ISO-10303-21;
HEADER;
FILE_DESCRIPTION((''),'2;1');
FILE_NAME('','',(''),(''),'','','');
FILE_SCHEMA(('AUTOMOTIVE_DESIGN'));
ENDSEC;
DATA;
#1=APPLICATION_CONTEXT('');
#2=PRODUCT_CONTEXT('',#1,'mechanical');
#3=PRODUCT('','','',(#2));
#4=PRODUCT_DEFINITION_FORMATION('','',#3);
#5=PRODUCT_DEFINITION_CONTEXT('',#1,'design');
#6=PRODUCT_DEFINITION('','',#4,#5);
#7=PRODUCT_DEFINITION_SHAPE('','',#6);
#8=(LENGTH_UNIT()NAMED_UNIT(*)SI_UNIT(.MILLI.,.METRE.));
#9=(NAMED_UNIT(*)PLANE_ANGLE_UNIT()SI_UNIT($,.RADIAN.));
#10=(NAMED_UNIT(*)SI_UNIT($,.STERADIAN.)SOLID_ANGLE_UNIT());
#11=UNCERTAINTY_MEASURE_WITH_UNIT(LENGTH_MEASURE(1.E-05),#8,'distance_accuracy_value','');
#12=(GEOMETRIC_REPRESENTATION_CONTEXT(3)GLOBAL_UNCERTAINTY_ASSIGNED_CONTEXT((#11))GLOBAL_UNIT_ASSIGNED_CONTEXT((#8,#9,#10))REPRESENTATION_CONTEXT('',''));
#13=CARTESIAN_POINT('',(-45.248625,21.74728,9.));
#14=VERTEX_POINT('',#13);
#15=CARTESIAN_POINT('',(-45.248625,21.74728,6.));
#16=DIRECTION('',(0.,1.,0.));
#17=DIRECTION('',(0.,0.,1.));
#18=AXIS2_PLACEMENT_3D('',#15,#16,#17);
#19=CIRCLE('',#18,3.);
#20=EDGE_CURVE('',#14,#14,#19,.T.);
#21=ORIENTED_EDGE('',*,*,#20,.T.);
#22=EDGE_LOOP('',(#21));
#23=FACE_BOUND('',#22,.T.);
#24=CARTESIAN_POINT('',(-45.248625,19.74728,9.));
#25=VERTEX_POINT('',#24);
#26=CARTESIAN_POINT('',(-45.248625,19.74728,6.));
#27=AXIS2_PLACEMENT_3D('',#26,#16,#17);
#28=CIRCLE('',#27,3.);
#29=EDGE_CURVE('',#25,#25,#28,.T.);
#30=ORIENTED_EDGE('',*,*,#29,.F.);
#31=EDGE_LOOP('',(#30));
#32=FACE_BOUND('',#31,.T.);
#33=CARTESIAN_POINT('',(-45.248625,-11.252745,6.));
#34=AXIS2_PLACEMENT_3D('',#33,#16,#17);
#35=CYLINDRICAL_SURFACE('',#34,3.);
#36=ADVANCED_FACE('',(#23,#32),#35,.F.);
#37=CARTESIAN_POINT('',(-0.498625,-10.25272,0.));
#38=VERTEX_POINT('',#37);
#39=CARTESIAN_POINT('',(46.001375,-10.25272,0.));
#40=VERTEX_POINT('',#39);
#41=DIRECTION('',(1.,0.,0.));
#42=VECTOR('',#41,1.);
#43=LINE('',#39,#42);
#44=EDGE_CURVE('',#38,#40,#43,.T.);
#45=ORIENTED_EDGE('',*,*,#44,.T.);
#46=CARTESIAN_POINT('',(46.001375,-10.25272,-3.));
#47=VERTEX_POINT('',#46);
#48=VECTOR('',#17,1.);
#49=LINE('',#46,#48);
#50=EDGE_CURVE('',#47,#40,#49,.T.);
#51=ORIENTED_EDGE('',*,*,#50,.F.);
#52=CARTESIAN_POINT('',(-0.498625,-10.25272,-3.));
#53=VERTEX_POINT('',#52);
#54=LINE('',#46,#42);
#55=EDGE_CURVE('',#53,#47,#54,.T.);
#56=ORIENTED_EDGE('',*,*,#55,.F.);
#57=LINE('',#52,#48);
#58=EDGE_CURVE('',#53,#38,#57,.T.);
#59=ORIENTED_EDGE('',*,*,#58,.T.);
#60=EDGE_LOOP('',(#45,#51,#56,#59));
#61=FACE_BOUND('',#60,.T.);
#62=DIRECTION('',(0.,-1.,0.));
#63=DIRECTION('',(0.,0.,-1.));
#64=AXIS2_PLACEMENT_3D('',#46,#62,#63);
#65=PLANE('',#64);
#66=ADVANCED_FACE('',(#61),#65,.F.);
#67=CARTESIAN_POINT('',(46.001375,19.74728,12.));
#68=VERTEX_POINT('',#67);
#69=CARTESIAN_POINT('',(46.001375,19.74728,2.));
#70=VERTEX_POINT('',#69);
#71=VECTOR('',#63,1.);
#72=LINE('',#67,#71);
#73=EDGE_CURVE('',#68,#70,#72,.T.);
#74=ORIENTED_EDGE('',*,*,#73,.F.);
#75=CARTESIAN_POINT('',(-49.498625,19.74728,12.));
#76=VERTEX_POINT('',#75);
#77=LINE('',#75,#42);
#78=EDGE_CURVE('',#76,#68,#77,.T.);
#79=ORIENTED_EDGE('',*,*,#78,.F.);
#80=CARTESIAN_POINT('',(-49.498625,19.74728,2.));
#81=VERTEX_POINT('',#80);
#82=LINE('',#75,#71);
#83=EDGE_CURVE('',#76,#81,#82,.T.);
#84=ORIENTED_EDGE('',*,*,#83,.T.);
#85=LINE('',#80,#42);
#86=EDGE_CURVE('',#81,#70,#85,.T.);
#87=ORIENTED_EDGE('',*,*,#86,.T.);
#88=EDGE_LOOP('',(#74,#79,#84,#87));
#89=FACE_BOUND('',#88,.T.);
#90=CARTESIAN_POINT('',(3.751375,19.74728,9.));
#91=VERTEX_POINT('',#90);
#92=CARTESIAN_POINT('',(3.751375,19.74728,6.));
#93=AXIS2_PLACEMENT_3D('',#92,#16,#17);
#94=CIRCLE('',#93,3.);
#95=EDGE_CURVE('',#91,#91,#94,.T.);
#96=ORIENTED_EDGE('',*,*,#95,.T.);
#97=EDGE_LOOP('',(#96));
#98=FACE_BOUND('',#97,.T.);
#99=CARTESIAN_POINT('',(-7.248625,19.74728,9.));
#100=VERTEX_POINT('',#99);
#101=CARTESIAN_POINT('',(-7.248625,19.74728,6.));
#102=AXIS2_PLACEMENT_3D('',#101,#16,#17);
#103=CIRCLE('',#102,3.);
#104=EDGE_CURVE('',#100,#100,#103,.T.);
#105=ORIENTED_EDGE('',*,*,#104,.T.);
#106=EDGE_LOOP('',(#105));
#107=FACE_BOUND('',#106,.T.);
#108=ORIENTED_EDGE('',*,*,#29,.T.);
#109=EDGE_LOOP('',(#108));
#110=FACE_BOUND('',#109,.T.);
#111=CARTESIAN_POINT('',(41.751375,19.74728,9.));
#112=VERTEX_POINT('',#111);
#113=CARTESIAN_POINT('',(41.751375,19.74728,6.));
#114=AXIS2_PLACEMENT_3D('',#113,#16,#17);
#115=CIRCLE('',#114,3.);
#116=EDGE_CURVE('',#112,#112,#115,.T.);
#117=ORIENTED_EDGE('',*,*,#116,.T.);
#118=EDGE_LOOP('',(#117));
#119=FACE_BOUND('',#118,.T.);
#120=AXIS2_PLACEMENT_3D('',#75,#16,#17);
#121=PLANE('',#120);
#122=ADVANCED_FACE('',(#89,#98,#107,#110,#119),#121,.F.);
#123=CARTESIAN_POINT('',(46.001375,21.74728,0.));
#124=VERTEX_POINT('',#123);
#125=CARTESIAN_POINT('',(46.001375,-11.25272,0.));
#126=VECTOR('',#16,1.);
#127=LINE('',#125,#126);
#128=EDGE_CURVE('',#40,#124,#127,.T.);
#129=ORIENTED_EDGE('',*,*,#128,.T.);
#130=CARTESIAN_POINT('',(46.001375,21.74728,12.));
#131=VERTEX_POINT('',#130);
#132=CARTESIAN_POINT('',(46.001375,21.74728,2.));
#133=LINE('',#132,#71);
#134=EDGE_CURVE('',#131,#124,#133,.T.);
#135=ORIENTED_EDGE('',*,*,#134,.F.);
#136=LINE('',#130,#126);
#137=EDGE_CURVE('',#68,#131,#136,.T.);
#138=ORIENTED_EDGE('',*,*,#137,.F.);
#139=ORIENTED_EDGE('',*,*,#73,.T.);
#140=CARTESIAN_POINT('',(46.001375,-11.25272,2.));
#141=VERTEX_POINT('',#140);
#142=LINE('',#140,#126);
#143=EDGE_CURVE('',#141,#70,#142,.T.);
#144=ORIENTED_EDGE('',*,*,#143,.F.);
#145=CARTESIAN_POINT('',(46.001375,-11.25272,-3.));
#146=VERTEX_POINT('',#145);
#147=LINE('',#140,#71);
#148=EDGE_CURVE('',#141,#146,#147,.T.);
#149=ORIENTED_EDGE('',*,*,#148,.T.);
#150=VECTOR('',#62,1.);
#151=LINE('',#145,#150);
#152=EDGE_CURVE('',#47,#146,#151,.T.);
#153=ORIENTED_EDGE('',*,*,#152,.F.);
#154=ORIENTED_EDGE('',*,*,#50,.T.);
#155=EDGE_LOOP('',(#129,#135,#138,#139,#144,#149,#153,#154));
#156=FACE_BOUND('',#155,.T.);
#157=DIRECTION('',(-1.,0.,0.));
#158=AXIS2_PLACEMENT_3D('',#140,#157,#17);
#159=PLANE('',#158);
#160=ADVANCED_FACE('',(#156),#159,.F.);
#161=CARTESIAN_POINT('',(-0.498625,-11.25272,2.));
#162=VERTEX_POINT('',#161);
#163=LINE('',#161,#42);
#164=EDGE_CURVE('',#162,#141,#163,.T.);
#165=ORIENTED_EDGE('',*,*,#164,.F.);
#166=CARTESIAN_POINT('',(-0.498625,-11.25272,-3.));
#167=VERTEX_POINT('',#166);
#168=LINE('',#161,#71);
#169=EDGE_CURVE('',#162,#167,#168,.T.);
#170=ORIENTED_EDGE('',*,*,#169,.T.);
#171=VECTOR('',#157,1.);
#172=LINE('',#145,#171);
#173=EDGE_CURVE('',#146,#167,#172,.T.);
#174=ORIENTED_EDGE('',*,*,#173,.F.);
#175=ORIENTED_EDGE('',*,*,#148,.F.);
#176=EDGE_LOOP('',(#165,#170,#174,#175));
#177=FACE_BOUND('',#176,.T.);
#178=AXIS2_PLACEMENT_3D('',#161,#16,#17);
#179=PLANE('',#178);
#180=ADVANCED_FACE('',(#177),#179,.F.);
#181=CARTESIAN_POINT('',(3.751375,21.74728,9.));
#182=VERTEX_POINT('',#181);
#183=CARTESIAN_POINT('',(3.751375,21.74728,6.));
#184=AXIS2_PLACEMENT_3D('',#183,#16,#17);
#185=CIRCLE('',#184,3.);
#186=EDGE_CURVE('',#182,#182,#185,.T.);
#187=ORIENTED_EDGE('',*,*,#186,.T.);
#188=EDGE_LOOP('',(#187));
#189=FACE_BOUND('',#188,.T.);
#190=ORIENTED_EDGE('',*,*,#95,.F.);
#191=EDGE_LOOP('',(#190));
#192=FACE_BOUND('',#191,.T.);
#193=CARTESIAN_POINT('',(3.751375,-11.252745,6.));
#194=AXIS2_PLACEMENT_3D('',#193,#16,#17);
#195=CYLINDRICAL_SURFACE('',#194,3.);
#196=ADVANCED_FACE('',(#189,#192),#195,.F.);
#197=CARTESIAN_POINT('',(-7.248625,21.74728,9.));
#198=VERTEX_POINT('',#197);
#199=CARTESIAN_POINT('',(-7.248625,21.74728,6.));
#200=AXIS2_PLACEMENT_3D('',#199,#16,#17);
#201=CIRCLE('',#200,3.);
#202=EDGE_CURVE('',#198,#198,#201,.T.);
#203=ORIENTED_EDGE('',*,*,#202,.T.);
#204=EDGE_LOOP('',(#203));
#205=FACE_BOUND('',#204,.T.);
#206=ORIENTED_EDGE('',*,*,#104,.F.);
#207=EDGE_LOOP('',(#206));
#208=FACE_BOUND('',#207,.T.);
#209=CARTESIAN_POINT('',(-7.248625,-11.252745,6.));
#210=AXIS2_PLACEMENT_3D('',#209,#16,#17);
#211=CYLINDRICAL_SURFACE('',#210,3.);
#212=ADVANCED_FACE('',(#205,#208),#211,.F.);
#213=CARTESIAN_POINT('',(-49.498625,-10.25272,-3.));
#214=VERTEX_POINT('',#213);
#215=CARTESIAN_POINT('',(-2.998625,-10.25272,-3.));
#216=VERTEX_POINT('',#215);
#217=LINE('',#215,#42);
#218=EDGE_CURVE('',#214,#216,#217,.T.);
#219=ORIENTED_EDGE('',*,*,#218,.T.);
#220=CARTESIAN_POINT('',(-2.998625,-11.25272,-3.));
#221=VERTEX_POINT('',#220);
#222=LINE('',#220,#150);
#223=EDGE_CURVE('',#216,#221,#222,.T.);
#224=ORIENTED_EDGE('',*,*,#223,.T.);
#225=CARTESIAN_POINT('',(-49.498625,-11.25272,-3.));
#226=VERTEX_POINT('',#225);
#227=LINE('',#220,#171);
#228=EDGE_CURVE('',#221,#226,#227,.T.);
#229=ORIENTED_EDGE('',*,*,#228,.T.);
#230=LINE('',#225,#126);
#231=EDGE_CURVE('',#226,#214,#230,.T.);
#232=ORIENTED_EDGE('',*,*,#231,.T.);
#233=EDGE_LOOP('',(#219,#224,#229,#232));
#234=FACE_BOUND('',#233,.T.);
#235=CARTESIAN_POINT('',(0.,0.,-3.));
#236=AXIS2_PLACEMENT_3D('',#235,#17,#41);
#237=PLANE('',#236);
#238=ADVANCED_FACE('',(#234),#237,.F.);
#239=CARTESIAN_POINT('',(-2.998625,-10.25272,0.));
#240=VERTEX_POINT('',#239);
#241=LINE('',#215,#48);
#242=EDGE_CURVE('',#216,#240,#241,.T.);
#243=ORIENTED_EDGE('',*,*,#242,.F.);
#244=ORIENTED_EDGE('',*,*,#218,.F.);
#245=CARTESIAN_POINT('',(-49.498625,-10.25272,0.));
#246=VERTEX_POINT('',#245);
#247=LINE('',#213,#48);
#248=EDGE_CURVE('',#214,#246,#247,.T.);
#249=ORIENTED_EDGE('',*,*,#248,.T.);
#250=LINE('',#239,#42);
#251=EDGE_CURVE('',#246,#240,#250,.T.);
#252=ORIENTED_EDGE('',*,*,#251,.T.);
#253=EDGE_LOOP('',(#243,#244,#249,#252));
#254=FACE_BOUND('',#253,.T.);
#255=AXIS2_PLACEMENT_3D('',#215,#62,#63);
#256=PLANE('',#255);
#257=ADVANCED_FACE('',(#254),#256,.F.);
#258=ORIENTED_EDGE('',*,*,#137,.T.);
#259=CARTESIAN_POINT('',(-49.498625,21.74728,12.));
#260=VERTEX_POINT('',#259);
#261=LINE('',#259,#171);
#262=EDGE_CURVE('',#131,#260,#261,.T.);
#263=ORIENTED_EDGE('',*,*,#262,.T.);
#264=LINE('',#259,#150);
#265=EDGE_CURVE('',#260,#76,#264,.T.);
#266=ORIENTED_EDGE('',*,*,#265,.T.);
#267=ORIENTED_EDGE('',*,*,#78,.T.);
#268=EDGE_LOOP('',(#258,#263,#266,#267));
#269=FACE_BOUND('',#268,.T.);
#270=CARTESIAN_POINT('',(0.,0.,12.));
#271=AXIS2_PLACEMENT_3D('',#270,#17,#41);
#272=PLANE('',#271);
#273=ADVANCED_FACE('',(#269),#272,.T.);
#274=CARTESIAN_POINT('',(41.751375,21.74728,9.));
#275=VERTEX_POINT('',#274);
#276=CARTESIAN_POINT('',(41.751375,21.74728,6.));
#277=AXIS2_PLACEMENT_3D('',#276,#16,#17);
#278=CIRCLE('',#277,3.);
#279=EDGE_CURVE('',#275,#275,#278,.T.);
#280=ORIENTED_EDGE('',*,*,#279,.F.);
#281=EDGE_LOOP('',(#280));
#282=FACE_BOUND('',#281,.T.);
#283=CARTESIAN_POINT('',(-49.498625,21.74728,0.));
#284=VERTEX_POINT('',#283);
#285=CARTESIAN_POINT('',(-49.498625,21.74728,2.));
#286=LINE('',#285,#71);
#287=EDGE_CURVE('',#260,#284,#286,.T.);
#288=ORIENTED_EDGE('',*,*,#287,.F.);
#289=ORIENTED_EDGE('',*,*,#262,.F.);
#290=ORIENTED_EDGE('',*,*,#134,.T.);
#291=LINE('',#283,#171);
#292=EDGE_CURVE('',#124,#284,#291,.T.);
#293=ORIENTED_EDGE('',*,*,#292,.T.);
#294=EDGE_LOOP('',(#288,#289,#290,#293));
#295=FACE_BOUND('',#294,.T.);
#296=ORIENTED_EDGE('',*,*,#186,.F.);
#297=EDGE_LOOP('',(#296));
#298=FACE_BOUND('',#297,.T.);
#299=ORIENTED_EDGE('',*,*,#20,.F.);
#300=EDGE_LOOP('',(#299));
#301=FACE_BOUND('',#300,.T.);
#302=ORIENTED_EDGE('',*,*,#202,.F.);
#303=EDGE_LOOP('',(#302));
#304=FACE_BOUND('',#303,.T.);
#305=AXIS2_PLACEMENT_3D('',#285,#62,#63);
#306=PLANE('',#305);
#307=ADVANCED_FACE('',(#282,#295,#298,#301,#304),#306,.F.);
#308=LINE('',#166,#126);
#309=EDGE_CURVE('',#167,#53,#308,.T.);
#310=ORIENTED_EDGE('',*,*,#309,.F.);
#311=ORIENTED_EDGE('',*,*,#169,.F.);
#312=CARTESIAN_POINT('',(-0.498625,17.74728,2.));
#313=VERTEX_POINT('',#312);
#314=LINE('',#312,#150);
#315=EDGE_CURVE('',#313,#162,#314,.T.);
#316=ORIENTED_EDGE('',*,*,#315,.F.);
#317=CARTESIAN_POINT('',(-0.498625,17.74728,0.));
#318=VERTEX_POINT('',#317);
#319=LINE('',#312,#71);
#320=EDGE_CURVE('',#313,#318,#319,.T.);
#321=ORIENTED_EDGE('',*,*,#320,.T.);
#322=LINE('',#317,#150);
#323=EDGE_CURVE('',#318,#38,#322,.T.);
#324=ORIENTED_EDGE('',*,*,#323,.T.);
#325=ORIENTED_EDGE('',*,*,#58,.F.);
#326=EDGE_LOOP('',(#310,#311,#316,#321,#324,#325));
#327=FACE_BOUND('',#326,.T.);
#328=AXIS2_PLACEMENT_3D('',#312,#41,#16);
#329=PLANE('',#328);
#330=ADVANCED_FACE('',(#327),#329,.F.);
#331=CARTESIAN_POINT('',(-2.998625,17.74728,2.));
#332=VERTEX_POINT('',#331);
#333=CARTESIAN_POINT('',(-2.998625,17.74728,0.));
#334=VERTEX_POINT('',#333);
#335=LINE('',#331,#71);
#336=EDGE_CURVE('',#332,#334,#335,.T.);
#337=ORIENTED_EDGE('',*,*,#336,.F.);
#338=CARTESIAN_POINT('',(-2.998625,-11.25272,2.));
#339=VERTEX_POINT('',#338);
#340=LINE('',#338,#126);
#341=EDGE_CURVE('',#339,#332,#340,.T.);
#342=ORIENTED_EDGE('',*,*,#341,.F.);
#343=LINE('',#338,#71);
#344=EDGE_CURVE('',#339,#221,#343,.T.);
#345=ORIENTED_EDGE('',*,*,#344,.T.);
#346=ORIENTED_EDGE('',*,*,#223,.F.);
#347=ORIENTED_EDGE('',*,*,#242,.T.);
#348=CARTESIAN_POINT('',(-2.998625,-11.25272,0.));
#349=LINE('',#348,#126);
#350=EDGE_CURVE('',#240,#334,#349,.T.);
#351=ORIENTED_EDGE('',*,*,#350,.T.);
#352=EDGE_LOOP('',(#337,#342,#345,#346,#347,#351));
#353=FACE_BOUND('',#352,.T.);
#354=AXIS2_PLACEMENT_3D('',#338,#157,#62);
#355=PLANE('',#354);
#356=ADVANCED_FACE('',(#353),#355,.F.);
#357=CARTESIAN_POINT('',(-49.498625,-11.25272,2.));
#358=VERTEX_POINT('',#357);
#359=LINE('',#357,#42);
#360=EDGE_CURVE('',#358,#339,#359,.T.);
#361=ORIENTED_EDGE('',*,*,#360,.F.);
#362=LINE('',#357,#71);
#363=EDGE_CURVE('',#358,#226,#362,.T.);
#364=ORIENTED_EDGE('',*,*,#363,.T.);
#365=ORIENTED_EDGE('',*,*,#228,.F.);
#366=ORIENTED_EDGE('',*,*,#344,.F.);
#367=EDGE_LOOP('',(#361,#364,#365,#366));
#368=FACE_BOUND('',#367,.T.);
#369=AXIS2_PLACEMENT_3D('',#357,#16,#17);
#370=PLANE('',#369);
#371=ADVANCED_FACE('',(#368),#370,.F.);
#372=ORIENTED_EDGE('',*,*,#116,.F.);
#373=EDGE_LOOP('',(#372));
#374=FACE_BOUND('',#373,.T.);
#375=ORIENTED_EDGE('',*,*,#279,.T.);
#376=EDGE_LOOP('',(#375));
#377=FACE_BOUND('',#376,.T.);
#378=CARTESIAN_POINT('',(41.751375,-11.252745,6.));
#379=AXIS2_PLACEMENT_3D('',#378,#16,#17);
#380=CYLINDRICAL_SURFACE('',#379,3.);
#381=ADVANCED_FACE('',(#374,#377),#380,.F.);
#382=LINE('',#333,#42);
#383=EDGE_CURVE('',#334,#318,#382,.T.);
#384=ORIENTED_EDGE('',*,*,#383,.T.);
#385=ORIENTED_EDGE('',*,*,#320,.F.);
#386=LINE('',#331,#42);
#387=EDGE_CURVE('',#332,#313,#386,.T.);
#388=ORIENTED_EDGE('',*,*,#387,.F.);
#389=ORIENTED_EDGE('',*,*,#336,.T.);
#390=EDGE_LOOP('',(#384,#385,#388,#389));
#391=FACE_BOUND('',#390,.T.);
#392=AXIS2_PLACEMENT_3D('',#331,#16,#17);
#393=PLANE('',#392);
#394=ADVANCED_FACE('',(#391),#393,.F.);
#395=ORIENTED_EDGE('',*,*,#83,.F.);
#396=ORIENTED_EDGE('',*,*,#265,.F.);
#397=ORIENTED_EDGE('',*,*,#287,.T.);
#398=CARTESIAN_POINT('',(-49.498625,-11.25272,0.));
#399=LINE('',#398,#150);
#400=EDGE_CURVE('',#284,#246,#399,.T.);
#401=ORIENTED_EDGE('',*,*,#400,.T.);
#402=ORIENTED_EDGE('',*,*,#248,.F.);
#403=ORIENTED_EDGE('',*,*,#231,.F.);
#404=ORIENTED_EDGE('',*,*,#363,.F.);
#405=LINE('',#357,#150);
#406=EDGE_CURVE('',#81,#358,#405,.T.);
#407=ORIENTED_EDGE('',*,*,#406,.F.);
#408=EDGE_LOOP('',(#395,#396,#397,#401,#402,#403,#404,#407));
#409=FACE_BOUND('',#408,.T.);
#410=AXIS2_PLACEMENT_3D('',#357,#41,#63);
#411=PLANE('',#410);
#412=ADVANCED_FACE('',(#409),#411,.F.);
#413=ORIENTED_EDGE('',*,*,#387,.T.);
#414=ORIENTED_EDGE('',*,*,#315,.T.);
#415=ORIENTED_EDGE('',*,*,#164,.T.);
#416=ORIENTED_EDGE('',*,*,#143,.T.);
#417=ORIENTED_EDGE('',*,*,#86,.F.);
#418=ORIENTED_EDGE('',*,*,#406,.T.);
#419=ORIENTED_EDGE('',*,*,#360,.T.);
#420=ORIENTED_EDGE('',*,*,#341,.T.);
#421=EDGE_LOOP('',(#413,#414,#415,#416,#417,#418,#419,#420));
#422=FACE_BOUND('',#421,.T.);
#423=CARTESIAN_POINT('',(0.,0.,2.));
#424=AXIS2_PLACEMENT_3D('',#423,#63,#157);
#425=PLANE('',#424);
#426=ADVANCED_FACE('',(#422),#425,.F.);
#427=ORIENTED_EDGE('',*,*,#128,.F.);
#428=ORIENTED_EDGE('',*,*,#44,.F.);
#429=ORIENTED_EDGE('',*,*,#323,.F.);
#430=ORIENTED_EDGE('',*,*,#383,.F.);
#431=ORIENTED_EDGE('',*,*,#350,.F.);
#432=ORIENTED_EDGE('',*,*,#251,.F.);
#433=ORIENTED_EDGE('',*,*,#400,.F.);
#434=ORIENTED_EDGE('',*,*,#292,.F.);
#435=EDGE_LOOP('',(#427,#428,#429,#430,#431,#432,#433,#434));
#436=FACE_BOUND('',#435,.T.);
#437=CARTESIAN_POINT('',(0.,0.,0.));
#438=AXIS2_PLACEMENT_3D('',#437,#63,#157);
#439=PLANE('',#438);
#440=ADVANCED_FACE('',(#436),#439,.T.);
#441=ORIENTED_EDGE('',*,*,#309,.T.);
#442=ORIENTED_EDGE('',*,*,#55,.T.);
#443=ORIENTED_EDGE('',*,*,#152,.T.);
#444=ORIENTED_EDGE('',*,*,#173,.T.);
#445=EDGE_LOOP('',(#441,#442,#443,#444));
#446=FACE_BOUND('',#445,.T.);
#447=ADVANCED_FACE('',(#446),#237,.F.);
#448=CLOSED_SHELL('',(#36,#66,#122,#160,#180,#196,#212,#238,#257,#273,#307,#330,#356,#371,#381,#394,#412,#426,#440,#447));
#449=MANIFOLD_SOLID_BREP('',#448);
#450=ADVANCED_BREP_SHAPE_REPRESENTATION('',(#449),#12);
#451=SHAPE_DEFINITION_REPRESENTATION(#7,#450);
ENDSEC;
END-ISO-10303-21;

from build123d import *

# Parameters (mm, degrees)
BOSS_EXTRUDE1_DEPTH = 2
SKETCH2_W           = 95.5
SKETCH2_H           = 2
BOSS_EXTRUDE2_DEPTH = 10
SKETCH3_R           = 3
CUT_EXTRUDE1_DEPTH  = 34
SKETCH4_W           = 46.5
SKETCH4_H           = 1
BOSS_EXTRUDE3_DEPTH = 3


with BuildPart() as part:
    # Sketch1 → Boss-Extrude1 (new body)
    with BuildSketch(Plane.XY):
        Polygon((-2.998624877, 17.747280284), (-0.498624877, 17.747280284), (-0.498624877, -11.252719716), (46.001375123, -11.252719716), (46.001375123, 21.747280284), (-49.498624877, 21.747280284), (-49.498624877, -11.252719716), (-2.998624877, -11.252719716), align=None)
    extrude(amount=BOSS_EXTRUDE1_DEPTH)

    # Sketch2 → Boss-Extrude2 (add)
    with BuildSketch(Plane.XY.offset(2)):
        with Locations((-1.748624877, 20.747280284)):
            Rectangle(SKETCH2_W, SKETCH2_H)
    extrude(amount=BOSS_EXTRUDE2_DEPTH)

    # Sketch3 → Cut-Extrude1 (cut, through all)
    with BuildSketch(Plane(origin=(0, 21.747280284, 0), x_dir=(1, 0, 0), z_dir=(0, 1, 0))):
        with Locations((-45.248624877, -6)):
            Circle(SKETCH3_R)
        with Locations((-7.248624877, -6)):
            Circle(SKETCH3_R)
        with Locations((3.751375123, -6)):
            Circle(SKETCH3_R)
        with Locations((41.751375123, -6)):
            Circle(SKETCH3_R)
    extrude(amount=-CUT_EXTRUDE1_DEPTH, mode=Mode.SUBTRACT)

    # Sketch4 → Boss-Extrude3 (add)
    with BuildSketch(Plane(origin=(0, 0, 0), x_dir=(-1, 0, 0), z_dir=(0, 0, -1))):
        with Locations((-22.751375123, -10.752719716)):
            Rectangle(SKETCH4_W, SKETCH4_H)
        with Locations((26.248624877, -10.752719716)):
            Rectangle(SKETCH4_W, SKETCH4_H)
    extrude(amount=BOSS_EXTRUDE3_DEPTH)


solid = part.part
